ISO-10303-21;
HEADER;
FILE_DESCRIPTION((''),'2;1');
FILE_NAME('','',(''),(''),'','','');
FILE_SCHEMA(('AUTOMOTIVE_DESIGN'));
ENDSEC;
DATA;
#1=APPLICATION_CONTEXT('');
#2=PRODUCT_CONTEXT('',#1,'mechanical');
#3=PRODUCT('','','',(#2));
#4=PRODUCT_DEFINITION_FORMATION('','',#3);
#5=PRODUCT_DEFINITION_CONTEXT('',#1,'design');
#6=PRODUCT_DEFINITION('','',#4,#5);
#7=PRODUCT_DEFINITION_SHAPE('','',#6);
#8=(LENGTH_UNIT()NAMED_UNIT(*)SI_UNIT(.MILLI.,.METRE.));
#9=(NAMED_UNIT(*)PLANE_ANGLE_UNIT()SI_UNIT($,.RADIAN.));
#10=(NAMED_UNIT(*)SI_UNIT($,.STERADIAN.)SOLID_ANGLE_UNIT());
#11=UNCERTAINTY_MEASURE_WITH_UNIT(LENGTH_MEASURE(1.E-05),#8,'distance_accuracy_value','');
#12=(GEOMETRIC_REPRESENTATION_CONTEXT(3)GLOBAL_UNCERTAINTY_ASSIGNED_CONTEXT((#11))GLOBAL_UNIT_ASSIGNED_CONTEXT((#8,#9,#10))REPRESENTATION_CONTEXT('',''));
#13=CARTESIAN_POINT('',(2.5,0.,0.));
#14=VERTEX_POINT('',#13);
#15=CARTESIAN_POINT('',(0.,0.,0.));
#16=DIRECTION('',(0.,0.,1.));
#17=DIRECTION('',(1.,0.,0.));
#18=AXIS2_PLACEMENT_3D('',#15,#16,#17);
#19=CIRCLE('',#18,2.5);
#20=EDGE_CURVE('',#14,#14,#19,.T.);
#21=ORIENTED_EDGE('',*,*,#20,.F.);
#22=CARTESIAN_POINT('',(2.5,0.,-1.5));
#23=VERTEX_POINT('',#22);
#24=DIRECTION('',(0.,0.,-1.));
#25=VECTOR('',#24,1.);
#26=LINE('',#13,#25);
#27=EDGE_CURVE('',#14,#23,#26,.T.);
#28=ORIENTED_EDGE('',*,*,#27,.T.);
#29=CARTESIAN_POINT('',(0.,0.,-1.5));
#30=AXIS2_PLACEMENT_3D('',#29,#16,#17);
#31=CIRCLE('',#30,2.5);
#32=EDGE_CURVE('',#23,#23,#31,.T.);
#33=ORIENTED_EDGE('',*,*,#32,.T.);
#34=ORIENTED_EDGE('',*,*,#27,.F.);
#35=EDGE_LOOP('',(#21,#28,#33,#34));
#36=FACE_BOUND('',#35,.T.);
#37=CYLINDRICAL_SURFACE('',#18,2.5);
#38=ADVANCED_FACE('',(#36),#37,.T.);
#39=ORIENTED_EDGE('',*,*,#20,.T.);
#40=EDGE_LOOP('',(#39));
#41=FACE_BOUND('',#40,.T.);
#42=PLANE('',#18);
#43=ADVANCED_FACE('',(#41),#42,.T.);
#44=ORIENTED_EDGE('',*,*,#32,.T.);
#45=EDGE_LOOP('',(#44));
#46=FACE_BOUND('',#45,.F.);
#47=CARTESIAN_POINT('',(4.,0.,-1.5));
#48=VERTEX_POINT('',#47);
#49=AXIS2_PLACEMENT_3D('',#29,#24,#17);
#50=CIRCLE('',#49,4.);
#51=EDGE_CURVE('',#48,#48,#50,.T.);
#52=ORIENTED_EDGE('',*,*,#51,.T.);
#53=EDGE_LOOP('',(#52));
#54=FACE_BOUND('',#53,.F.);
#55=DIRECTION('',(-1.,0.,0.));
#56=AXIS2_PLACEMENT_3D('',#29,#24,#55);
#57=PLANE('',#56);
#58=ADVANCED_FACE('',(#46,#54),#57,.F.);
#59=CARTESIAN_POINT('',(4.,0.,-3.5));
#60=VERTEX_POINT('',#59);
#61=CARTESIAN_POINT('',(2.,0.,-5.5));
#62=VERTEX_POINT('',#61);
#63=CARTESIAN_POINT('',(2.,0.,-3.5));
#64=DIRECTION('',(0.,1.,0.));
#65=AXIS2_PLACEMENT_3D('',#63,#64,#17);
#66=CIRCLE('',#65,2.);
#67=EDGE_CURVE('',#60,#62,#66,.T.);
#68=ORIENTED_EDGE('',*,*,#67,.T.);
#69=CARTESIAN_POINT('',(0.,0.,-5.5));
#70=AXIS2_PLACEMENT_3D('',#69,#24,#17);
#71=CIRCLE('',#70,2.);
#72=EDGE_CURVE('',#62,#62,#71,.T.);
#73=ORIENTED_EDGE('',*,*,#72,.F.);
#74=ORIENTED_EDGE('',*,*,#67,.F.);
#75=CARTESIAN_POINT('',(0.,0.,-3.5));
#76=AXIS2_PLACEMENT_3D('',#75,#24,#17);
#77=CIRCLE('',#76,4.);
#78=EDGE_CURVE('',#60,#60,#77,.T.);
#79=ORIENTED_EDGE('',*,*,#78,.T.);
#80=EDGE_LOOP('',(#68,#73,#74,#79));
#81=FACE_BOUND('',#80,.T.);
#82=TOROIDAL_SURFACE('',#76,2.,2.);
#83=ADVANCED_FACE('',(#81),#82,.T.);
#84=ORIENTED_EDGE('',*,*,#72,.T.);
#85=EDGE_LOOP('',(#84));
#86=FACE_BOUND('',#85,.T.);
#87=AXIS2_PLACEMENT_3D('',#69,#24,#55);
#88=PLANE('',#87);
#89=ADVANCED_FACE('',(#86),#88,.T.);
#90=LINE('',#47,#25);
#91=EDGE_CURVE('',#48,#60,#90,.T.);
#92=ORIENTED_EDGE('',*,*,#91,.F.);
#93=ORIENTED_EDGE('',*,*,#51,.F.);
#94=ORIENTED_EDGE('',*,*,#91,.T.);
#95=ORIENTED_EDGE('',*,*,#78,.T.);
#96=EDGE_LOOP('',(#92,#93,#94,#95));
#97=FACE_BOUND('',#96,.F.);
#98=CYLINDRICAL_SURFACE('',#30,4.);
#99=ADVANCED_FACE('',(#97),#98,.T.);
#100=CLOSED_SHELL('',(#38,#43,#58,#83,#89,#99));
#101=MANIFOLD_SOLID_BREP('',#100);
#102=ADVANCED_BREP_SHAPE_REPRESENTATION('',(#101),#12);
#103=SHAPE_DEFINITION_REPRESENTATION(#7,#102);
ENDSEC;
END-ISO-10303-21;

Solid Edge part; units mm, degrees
sketch "Sketch1" plane through (0, 0, 0) normal (0, 0, 1) x (1, 0, 0)
  circle A0 centre (0, 0) radius 2.5
  dimension "D1" = 5
extrude "Protrusion1" add sketch "Sketch1" against normal blind 1.5
sketch "Sketch2" plane through (0, 0, -1.5) normal (0, 0, -1) x (1, 0, 0)
  circle A0 centre (0, 0) radius 4
  dimension "D1" = 8
extrude "ExtrudedProtrusion_2" add sketch "Sketch2" along normal blind 4
fillet "Round_1" radius 2 1 edges at (-4, 0, -5.5)
properties material "ABS Plastic, medium impact"
